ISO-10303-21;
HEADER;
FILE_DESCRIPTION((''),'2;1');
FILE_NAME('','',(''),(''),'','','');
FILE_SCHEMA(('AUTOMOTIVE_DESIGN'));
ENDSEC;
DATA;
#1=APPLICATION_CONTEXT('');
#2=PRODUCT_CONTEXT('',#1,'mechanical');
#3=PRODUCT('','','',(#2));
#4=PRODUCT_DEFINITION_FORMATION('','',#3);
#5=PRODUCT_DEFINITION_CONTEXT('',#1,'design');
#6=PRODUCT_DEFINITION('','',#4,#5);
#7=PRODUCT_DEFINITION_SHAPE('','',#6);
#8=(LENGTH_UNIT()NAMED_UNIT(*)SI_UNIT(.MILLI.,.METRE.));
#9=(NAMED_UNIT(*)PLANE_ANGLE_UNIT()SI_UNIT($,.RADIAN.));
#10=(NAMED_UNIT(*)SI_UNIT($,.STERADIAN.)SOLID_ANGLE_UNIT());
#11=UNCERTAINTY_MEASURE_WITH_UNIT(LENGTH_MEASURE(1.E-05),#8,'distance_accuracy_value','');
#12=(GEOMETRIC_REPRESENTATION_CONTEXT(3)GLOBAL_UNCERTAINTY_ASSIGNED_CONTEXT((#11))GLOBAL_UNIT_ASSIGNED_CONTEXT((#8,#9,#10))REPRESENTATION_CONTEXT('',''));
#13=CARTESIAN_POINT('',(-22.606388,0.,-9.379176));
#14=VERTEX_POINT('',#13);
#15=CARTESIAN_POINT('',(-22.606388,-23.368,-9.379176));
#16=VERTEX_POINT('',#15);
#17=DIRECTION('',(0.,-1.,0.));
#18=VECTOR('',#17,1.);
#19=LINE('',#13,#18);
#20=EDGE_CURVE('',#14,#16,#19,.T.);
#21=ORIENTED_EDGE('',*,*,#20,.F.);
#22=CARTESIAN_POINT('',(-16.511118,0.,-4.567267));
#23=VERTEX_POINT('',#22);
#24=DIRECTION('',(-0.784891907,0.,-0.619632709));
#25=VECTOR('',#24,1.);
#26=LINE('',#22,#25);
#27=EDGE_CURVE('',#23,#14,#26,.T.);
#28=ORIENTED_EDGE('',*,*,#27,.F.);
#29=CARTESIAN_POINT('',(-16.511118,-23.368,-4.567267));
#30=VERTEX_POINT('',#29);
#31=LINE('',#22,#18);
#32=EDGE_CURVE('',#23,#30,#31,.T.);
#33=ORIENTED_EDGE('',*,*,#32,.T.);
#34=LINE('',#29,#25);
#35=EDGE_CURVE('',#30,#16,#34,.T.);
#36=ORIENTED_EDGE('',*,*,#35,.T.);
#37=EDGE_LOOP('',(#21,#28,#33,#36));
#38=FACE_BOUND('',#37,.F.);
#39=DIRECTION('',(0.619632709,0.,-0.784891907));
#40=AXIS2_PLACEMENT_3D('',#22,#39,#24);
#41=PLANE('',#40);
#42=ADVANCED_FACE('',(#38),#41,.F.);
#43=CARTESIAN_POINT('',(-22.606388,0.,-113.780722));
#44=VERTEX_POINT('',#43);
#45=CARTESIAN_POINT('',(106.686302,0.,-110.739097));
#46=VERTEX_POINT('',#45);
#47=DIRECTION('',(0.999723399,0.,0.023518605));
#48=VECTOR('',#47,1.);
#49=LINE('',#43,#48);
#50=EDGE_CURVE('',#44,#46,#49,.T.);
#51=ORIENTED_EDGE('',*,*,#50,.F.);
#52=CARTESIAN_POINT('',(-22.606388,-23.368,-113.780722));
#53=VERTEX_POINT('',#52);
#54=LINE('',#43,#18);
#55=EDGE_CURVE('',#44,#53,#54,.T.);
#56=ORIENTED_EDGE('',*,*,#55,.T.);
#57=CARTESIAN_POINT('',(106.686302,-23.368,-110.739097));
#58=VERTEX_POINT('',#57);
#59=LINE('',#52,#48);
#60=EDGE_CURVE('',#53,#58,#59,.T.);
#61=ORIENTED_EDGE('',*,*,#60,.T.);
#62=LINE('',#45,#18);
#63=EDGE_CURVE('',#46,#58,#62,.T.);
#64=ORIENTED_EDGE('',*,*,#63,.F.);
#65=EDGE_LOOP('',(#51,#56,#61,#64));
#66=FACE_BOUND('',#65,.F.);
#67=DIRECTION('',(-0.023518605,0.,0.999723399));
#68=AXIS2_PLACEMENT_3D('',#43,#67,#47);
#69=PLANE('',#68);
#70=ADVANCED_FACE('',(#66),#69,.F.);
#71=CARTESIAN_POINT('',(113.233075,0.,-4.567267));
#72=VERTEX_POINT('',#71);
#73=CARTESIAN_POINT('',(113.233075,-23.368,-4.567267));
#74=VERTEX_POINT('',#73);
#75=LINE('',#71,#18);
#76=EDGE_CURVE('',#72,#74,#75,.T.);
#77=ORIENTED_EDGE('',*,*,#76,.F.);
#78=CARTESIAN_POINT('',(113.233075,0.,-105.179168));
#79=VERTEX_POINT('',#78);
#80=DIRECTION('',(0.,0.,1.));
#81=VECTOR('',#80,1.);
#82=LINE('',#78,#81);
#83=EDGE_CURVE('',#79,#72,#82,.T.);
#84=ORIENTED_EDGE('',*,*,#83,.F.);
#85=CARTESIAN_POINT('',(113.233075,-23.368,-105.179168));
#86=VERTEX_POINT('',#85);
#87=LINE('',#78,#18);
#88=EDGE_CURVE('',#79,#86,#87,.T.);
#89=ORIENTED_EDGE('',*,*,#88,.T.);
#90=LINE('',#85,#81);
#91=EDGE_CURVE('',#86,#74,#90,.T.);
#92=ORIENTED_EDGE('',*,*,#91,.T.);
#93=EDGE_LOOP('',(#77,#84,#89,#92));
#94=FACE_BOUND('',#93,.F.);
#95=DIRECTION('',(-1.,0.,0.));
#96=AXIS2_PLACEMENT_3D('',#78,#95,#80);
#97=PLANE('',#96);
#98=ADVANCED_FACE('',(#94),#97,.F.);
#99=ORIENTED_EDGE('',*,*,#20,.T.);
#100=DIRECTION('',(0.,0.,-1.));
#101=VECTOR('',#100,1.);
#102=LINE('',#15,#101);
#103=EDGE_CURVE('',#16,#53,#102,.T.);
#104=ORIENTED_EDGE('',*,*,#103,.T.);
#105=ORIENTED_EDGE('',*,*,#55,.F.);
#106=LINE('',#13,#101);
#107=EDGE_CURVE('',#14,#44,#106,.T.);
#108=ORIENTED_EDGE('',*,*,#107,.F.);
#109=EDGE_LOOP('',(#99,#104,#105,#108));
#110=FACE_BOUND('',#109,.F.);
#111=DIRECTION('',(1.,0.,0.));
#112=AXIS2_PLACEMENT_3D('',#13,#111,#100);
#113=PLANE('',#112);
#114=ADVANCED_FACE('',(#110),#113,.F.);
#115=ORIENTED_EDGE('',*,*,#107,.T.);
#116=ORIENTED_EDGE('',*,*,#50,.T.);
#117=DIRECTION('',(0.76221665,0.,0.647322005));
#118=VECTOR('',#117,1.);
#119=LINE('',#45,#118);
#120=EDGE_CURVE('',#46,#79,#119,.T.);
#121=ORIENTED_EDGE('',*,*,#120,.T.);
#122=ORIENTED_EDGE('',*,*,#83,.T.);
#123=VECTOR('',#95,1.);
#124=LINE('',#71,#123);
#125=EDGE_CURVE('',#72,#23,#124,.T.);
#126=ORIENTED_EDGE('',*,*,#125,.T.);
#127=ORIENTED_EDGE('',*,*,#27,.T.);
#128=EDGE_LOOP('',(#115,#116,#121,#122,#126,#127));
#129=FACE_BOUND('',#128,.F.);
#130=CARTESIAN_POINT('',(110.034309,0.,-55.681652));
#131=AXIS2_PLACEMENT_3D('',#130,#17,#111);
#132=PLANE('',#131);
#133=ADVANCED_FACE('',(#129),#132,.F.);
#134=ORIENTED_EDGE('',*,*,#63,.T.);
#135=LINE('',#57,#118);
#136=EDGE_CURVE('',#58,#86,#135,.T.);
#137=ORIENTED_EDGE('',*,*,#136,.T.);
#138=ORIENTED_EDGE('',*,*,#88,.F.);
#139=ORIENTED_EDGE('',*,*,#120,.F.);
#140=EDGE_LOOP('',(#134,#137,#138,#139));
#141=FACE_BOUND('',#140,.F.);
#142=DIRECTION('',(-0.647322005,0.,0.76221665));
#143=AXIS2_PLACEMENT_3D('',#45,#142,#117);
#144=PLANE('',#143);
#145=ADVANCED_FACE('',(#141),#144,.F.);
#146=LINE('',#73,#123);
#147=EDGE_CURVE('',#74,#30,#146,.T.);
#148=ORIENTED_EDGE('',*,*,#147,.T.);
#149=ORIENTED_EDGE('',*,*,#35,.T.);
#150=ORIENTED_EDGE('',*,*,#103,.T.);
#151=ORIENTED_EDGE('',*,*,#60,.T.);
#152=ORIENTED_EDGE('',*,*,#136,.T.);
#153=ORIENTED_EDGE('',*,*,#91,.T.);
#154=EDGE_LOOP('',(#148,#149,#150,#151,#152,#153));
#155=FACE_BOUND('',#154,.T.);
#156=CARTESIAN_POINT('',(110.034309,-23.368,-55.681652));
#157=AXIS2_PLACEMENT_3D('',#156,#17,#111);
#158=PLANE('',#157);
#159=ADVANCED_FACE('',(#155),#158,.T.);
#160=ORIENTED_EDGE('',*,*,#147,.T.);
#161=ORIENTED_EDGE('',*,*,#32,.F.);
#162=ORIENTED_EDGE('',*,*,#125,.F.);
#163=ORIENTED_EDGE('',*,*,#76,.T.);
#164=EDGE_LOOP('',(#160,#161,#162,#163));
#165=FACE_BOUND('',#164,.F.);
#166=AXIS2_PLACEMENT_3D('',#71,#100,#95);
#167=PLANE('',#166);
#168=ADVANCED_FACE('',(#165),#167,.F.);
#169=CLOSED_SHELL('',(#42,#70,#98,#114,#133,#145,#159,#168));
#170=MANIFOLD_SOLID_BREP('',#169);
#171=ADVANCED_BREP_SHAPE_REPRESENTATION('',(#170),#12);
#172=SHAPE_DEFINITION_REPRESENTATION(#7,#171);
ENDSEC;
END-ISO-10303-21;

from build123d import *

# Parameters (mm, degrees)
F0_W     = 123.1974195689
F0_H     = 95.799991861
F1_DEPTH = 23.368


with BuildPart() as f1:
    # F0 (on Front) → F1 (new body)
    with BuildSketch(Plane.XZ):
        Polygon((113.2330745459, -4.5672673732), (106.6863015294, -9.379176423), (106.6863015294, -105.1791682839), (113.2330745459, -105.1791682839), align=None)
        Polygon((-16.5111180395, -9.379176423), (106.6863015294, -9.379176423), (113.2330745459, -4.5672673732), (-16.5111180395, -4.5672673732), align=None)
        Polygon((-16.5111180395, -105.1791682839), (-16.5111180395, -9.379176423), (-22.6063877344, -9.379176423), (-22.6063877344, -101.0192483664), (-22.6063877344, -113.7807220221), align=None)
        Polygon((-22.6063877344, -9.379176423), (-16.5111180395, -9.379176423), (-16.5111180395, -4.5672673732), align=None)
        Polygon((113.2330745459, -105.1791682839), (106.6863015294, -105.1791682839), (106.6863015294, -110.7390969992), align=None)
        Polygon((106.6863015294, -110.7390969992), (106.6863015294, -105.1791682839), (-16.5111180395, -105.1791682839), (-22.6063877344, -113.7807220221), align=None)
        with Locations((45.087591745, -57.2791723534)):
            Rectangle(F0_W, F0_H)
    extrude(amount=F1_DEPTH)


solid = f1.part
